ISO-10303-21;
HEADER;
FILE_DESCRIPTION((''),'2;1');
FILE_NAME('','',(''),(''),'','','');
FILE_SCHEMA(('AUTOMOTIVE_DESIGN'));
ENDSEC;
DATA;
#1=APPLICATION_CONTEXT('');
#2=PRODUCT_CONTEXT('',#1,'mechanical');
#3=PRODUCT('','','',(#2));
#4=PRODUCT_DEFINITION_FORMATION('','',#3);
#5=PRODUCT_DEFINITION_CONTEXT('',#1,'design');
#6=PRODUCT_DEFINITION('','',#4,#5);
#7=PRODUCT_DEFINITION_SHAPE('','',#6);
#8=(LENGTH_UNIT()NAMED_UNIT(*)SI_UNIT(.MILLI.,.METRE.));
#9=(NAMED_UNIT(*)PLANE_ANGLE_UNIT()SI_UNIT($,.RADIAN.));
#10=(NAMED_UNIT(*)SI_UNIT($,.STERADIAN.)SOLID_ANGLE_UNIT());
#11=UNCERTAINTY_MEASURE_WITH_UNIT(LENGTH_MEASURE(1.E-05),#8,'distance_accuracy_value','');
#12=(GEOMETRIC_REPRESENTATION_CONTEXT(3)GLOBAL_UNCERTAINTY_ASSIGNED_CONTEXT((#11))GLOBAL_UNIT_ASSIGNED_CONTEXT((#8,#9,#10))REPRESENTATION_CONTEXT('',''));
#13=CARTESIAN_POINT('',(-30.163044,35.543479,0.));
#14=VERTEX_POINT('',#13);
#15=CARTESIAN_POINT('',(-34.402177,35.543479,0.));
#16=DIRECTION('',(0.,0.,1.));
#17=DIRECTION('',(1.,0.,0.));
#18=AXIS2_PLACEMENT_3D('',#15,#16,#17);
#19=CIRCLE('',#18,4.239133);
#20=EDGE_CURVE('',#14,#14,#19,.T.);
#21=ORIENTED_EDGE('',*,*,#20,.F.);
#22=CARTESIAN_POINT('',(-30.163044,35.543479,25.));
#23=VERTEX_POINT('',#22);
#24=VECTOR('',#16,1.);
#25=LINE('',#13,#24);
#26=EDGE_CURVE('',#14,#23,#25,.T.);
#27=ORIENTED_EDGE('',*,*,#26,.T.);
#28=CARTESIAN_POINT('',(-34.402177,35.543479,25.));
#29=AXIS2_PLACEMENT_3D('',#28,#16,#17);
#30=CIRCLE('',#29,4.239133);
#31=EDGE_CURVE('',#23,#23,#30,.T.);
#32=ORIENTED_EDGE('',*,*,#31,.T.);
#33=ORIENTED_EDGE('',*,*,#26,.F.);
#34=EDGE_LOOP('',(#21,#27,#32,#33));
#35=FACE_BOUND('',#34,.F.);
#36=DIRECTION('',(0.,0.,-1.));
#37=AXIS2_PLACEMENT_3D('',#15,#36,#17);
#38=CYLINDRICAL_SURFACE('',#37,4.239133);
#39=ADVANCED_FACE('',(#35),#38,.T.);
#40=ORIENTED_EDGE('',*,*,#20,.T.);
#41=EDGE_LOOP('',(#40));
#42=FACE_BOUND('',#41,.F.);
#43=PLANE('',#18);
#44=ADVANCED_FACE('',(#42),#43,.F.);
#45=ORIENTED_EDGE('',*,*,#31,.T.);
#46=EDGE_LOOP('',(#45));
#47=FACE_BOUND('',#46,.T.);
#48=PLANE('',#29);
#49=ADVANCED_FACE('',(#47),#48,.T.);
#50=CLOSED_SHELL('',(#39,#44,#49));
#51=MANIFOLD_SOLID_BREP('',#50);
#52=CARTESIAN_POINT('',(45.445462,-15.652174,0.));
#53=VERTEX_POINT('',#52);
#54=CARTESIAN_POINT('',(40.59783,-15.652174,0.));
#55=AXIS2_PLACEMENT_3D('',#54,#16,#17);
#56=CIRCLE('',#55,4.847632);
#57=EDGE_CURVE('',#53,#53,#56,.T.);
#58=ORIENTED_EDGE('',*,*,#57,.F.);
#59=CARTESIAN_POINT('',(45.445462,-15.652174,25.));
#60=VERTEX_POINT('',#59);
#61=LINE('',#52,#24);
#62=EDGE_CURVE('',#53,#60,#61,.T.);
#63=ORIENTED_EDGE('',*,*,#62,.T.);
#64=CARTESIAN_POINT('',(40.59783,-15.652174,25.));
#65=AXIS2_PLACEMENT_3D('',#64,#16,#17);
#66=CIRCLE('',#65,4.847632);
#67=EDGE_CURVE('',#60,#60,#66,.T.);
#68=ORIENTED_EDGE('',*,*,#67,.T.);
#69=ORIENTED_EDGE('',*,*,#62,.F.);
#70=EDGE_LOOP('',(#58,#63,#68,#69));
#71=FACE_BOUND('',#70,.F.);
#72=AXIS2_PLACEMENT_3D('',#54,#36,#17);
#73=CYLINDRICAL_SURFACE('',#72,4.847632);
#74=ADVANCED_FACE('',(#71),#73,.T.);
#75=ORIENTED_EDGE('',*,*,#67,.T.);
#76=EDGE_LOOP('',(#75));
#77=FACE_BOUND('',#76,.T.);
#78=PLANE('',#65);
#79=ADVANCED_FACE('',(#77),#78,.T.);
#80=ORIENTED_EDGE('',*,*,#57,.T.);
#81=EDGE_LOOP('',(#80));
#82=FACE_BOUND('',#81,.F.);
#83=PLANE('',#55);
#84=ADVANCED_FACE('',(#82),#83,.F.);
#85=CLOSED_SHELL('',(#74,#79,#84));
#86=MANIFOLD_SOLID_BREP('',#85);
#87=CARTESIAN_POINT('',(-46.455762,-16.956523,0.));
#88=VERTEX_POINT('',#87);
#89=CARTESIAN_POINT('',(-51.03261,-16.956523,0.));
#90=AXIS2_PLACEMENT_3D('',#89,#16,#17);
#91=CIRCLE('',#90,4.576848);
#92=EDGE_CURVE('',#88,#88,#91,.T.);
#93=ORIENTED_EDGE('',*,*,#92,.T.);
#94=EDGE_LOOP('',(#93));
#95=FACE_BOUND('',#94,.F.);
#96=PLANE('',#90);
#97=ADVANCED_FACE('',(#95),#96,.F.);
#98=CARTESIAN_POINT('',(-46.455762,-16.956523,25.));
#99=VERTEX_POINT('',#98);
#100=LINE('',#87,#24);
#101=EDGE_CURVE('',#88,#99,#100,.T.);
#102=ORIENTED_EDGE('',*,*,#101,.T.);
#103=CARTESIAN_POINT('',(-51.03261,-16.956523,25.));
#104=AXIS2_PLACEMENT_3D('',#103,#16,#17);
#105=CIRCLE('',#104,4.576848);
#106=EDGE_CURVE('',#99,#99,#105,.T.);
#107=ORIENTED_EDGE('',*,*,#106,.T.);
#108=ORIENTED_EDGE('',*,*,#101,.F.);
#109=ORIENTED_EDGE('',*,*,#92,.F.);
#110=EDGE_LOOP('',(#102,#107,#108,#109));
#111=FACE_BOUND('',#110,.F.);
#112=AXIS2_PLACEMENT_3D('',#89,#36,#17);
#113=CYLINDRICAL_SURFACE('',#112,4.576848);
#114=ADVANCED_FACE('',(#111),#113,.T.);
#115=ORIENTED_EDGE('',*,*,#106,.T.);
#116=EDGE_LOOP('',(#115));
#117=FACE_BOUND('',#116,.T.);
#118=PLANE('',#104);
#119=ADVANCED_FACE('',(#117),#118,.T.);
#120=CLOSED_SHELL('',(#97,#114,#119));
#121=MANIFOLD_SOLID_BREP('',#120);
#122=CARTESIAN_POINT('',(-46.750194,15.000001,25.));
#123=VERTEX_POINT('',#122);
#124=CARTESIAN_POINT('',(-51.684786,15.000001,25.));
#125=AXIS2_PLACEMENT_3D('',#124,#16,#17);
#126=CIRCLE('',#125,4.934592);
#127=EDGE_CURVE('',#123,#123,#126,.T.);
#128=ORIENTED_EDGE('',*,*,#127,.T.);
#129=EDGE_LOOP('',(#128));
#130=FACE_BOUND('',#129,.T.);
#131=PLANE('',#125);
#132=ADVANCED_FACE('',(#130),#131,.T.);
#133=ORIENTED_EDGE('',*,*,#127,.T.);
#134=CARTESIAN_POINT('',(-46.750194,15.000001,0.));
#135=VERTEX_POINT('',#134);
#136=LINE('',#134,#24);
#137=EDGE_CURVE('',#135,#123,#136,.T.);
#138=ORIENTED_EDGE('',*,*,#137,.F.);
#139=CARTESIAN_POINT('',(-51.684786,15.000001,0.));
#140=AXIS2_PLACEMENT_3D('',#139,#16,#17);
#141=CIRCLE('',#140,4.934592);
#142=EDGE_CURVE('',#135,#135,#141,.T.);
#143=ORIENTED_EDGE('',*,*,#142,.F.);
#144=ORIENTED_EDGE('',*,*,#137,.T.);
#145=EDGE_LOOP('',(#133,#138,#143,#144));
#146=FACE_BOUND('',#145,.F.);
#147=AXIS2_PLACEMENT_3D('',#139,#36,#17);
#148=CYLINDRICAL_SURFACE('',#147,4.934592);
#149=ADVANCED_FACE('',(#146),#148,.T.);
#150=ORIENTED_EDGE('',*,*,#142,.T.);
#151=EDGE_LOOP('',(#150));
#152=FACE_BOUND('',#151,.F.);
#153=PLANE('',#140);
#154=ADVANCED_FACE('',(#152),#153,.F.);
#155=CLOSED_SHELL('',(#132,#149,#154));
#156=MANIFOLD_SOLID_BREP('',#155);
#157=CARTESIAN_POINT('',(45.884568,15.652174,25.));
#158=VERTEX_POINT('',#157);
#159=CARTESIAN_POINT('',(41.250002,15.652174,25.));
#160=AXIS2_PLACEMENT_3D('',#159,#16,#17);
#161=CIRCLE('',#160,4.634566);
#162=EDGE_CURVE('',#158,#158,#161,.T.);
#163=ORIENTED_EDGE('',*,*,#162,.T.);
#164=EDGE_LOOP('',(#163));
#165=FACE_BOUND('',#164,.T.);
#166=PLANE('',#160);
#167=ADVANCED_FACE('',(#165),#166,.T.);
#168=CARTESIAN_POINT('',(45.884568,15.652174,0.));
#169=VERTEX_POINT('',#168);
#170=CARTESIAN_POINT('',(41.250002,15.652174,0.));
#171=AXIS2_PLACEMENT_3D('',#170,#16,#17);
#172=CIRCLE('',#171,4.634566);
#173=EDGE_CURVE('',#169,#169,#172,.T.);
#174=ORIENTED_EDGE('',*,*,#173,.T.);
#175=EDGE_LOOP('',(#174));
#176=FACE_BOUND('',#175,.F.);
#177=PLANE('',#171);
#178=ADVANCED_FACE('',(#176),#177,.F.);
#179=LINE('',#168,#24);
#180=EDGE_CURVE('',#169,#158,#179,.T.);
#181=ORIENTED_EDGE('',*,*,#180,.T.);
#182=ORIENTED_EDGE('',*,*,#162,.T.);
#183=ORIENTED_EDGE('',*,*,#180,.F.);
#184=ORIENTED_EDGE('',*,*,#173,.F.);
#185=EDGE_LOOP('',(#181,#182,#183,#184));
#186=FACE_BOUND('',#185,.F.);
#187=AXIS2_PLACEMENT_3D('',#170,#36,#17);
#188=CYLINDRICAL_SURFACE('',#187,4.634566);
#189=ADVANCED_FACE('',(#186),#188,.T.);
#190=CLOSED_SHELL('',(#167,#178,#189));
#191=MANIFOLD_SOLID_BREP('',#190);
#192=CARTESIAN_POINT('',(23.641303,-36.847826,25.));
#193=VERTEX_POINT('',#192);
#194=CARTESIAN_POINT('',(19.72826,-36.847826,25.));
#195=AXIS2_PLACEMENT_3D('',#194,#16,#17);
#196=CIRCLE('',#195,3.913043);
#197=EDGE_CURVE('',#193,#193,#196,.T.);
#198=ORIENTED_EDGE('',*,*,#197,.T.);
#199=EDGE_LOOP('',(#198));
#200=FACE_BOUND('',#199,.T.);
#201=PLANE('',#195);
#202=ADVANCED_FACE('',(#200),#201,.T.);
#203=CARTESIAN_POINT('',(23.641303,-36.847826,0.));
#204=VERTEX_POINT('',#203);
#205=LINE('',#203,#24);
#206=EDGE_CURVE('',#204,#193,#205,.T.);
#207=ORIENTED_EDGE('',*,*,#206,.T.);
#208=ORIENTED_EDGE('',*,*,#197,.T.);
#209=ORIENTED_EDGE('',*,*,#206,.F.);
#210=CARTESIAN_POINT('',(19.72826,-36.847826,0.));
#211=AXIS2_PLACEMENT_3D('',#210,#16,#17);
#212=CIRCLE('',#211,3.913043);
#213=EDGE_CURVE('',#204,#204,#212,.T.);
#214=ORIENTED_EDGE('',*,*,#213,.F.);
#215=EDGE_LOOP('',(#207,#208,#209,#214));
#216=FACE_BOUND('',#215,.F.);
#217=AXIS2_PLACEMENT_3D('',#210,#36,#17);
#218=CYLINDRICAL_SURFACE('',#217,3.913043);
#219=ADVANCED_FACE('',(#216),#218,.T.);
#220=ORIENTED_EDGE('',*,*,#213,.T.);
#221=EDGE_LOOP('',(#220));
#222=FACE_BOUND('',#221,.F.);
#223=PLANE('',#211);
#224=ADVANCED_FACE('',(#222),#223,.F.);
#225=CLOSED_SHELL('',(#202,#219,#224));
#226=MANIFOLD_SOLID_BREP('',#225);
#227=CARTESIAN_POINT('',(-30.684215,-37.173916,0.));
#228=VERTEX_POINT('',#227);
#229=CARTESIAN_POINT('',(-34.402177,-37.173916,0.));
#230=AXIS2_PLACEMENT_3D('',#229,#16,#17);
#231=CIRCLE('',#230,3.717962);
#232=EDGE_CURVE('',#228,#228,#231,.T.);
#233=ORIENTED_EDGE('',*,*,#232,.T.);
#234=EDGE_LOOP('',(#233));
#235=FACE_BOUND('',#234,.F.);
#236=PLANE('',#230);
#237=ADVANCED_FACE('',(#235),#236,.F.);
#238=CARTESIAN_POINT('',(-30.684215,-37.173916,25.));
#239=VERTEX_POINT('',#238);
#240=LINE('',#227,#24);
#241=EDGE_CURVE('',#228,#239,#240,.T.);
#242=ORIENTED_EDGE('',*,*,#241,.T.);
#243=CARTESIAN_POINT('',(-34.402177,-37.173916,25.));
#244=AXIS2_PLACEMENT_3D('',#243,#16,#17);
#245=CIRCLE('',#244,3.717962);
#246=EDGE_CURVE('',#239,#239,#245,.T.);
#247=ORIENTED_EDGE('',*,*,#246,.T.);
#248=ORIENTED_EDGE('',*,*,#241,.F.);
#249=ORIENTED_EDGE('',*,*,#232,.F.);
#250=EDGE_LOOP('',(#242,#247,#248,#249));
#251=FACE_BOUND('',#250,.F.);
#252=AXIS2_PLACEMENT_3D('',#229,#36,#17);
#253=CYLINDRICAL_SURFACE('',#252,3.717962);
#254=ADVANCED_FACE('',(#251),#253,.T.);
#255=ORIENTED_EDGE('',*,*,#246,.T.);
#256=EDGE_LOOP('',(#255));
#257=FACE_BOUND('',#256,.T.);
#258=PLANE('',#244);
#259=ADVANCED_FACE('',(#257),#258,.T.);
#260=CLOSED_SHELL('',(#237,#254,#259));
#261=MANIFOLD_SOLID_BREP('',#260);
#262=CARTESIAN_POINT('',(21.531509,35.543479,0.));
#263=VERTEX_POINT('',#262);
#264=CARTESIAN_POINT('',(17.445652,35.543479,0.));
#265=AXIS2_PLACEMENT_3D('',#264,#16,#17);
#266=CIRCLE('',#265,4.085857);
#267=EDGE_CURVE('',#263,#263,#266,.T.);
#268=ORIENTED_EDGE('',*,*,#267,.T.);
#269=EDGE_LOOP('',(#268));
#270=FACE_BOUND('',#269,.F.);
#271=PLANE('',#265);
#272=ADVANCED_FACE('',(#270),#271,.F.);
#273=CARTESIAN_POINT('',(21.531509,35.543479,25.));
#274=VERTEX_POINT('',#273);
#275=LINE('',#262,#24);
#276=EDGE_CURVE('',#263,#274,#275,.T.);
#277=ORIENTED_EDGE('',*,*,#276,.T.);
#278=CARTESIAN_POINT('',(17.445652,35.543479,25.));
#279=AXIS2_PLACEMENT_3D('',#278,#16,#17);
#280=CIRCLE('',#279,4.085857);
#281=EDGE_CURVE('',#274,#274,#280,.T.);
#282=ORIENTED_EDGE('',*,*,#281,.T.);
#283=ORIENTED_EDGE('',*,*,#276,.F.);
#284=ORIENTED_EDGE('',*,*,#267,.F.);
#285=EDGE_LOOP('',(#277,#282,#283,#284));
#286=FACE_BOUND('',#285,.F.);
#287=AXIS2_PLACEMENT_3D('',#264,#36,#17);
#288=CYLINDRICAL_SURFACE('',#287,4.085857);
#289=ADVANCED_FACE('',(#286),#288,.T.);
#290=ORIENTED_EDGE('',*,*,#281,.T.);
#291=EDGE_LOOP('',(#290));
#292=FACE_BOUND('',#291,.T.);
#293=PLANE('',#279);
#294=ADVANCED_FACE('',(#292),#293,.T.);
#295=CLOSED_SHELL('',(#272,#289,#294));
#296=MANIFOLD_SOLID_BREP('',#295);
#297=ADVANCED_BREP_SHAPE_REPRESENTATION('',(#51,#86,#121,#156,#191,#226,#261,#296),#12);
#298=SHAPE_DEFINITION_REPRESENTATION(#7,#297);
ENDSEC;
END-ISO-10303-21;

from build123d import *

# Parameters (mm, degrees)
F1_R     = 4.239133
F1_R_2   = 4.085857
F1_R_3   = 4.634566
F1_R_4   = 4.847632
F1_R_5   = 3.913043
F1_R_6   = 3.717962
F1_R_7   = 4.576848
F1_R_8   = 4.934592
F2_DEPTH = 25


with BuildPart() as f2:
    # F1 (on face) → F2 (new body)
    with BuildSketch(Plane.XY):
        with Locations((-34.402177, 35.543479)):
            Circle(F1_R)
        with Locations((17.445652, 35.543479)):
            Circle(F1_R_2)
        with Locations((41.250002, 15.652174)):
            Circle(F1_R_3)
        with Locations((40.59783, -15.652174)):
            Circle(F1_R_4)
        with Locations((19.72826, -36.847826)):
            Circle(F1_R_5)
        with Locations((-34.402177, -37.173916)):
            Circle(F1_R_6)
        with Locations((-51.03261, -16.956523)):
            Circle(F1_R_7)
        with Locations((-51.684786, 15.000001)):
            Circle(F1_R_8)
    extrude(amount=F2_DEPTH)


solid = f2.part
